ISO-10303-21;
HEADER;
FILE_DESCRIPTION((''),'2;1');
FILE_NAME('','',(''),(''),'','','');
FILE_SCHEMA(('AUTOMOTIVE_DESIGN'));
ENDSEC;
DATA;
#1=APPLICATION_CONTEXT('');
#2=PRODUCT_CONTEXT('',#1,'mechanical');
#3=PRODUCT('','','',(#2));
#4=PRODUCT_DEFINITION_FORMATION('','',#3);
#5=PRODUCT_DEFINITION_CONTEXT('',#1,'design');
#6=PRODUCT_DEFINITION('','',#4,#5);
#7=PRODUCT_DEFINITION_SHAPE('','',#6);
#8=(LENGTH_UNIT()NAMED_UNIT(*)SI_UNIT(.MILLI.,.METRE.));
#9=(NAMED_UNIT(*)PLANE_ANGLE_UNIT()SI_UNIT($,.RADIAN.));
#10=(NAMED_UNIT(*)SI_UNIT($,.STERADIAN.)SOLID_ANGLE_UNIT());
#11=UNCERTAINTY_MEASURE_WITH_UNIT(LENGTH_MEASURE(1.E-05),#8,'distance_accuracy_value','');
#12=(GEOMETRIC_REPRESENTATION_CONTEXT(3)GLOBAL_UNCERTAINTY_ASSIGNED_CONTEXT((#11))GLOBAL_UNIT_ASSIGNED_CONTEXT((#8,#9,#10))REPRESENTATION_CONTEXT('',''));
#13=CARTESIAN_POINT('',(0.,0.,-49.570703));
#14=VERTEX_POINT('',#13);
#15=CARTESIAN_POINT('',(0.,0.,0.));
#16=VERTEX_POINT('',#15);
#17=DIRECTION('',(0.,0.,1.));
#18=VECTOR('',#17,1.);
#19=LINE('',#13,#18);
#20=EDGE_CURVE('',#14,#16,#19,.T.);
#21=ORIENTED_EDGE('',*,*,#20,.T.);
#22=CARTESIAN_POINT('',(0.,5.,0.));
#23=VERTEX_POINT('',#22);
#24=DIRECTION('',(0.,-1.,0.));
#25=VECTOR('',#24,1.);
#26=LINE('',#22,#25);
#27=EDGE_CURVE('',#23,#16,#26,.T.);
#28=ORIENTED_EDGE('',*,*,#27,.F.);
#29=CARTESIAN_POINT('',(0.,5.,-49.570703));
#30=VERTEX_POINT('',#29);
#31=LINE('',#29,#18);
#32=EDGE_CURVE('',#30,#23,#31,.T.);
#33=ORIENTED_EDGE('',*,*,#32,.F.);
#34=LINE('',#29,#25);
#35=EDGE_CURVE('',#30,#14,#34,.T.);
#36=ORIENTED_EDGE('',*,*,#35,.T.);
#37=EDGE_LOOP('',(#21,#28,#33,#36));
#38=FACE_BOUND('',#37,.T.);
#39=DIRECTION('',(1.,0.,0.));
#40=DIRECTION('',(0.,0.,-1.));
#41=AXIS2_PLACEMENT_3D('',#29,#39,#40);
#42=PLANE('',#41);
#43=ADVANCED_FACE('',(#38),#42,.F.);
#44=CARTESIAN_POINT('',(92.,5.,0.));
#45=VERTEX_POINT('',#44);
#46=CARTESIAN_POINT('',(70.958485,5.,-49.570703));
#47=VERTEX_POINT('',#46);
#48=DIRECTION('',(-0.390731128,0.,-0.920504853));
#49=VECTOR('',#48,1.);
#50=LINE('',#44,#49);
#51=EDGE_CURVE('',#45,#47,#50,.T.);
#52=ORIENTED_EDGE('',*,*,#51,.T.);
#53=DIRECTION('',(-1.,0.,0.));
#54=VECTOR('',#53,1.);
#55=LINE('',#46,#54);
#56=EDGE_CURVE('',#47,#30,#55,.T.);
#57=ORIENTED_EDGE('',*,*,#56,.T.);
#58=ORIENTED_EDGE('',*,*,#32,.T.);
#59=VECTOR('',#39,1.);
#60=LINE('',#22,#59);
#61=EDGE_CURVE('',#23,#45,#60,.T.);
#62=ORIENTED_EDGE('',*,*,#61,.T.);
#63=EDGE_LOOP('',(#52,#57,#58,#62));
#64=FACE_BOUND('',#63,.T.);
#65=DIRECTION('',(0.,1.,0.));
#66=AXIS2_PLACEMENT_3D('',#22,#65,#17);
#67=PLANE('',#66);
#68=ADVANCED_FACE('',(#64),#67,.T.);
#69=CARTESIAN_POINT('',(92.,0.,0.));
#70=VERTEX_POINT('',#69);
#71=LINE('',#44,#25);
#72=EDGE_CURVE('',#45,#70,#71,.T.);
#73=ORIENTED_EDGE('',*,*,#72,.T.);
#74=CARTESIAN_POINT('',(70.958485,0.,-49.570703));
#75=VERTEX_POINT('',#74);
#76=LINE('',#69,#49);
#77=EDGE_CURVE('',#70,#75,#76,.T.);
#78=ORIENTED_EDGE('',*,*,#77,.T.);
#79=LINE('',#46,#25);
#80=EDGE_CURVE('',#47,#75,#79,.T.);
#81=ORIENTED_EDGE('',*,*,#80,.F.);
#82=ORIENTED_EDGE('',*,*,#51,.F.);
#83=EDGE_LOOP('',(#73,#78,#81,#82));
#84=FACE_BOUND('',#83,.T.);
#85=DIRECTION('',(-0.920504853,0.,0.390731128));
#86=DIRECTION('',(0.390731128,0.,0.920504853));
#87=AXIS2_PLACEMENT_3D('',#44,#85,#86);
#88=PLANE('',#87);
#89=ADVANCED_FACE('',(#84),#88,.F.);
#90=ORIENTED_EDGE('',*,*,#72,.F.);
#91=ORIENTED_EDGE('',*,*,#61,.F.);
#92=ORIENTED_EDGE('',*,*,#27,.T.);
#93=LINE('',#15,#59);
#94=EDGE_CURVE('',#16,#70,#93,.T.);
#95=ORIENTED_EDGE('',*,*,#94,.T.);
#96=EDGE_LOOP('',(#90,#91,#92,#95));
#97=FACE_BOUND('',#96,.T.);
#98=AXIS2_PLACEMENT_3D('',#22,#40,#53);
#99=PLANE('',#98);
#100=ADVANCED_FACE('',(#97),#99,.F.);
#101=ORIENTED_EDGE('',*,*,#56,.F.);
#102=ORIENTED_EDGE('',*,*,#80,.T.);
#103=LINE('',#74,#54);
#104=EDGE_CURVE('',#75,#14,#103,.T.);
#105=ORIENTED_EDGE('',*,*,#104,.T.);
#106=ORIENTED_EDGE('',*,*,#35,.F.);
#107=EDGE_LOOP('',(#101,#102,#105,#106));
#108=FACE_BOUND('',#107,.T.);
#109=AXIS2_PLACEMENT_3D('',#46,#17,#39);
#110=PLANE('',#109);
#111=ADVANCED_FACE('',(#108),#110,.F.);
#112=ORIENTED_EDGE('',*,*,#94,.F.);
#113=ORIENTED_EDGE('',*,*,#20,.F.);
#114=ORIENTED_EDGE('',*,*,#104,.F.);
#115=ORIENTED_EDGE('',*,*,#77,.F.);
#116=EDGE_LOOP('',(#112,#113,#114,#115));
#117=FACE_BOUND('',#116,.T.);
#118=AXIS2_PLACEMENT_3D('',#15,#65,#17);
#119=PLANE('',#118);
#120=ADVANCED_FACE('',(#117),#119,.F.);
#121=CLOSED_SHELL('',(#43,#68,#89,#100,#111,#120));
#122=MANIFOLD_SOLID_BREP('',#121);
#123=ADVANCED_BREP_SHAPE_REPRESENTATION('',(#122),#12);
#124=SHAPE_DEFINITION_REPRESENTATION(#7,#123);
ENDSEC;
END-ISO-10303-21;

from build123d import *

# Parameters (mm, degrees)
EXTRUDE_1_DEPTH = 5


with BuildPart() as part:
    # Эскиз1 → Бобышка-Вытянуть1 (new body)
    with BuildSketch(Plane(origin=(0, 0, 0), x_dir=(1, 0, 0), z_dir=(0, 1, 0))):
        Polygon((0, 0), (92, 0), (70.958484778, 49.570703416), (0, 49.570703416), align=None)
    extrude(amount=EXTRUDE_1_DEPTH)


solid = part.part
